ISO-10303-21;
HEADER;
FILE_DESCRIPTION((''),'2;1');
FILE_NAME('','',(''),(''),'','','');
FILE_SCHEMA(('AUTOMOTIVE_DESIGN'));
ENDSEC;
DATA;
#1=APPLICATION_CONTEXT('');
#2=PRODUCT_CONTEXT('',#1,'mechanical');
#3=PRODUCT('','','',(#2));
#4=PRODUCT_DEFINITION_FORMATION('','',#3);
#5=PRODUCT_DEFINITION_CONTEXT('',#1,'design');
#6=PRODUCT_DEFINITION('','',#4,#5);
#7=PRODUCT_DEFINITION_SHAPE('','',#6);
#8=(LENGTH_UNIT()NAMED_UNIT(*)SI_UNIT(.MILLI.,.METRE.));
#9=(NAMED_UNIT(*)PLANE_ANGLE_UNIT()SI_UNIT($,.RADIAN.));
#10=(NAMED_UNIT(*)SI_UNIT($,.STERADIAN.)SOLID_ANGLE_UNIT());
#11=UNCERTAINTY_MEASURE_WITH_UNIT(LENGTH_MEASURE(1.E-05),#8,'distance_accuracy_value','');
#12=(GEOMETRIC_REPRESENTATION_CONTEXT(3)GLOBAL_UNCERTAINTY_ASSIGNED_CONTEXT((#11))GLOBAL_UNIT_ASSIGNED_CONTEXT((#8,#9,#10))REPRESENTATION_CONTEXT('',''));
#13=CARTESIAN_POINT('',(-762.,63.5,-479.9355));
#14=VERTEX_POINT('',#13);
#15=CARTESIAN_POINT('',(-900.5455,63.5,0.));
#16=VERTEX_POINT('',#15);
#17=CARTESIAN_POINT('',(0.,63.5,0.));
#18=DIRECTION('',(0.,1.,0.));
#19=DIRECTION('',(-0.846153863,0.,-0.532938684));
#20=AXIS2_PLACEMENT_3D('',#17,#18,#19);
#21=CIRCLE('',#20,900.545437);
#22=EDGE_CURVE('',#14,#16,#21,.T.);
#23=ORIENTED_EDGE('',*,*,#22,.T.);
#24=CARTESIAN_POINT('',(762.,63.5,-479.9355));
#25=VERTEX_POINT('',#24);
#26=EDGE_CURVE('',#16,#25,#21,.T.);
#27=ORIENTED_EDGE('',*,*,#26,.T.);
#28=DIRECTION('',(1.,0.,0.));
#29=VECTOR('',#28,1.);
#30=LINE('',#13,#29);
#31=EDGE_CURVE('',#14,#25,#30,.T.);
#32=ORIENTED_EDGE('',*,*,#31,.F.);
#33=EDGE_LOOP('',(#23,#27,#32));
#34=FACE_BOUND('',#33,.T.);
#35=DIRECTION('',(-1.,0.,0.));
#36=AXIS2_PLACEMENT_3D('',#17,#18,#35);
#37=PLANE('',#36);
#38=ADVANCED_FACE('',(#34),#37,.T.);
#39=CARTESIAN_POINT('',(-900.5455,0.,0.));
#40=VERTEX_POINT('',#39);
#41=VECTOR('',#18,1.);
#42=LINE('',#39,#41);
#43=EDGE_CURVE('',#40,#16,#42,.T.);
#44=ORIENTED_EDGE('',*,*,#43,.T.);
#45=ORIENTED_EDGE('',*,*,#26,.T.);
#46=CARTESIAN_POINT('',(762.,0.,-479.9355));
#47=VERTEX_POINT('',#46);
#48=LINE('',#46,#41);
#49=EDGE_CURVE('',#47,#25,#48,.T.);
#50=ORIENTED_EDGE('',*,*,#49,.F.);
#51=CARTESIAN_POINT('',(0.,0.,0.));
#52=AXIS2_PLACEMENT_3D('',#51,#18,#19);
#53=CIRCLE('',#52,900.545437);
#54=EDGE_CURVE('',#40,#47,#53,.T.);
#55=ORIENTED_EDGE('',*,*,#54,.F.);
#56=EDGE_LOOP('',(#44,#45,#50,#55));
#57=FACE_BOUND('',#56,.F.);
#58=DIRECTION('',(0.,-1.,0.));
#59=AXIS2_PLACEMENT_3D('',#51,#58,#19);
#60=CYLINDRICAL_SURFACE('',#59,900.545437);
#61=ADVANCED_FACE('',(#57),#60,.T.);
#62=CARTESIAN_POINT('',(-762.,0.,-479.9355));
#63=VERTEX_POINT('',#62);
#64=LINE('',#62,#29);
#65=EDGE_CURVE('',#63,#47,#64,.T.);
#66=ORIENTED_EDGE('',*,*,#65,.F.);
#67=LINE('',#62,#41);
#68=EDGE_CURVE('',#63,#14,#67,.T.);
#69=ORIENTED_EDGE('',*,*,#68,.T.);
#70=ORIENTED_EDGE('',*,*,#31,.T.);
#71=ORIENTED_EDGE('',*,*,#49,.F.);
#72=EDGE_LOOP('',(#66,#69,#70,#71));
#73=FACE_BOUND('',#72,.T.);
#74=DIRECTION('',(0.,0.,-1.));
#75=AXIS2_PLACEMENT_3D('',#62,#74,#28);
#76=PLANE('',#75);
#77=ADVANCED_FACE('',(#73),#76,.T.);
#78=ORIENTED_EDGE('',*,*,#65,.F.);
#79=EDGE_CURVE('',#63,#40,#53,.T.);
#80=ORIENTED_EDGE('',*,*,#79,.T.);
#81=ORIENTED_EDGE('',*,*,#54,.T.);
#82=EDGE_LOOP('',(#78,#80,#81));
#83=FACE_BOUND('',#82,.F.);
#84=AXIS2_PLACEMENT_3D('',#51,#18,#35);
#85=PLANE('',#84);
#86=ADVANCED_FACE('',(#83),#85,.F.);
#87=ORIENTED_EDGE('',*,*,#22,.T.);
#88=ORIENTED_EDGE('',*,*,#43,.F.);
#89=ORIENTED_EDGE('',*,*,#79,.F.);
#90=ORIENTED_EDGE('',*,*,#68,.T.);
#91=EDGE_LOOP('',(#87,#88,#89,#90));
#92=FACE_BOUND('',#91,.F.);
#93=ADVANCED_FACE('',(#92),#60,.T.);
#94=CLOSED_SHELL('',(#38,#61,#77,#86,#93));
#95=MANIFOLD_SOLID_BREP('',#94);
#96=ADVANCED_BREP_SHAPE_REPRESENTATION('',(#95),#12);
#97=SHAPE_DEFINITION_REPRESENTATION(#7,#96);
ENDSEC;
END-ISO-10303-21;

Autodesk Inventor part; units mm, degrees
ref_plane "YZ Plane" through (0, 0, 0) normal (1, 0, 0) x (0, 1, 0)
ref_plane "XZ Plane" through (0, 0, 0) normal (0, 1, 0) x (-1, 0, 0)
ref_plane "XY Plane" through (0, 0, 0) normal (0, 0, 1) x (1, 0, 0)
sketch "Sketch2" plane through (0, 0, 0) normal (0, 1, 0) x (-1, 0, 0)
  arc A0 (762, -479.9355) -> (-762, -479.9355) centre (0, 0) ccw
  line L0 (900.5455, 0) -> (762, 0)
  line L1 (762, -479.9355) -> (-762, -479.9355)
  dimension "d8" = 1524
extrude "Extrusion1" add sketch "Sketch2" along normal blind 63.5
properties part number "Nest-ver1-1111-2021"
